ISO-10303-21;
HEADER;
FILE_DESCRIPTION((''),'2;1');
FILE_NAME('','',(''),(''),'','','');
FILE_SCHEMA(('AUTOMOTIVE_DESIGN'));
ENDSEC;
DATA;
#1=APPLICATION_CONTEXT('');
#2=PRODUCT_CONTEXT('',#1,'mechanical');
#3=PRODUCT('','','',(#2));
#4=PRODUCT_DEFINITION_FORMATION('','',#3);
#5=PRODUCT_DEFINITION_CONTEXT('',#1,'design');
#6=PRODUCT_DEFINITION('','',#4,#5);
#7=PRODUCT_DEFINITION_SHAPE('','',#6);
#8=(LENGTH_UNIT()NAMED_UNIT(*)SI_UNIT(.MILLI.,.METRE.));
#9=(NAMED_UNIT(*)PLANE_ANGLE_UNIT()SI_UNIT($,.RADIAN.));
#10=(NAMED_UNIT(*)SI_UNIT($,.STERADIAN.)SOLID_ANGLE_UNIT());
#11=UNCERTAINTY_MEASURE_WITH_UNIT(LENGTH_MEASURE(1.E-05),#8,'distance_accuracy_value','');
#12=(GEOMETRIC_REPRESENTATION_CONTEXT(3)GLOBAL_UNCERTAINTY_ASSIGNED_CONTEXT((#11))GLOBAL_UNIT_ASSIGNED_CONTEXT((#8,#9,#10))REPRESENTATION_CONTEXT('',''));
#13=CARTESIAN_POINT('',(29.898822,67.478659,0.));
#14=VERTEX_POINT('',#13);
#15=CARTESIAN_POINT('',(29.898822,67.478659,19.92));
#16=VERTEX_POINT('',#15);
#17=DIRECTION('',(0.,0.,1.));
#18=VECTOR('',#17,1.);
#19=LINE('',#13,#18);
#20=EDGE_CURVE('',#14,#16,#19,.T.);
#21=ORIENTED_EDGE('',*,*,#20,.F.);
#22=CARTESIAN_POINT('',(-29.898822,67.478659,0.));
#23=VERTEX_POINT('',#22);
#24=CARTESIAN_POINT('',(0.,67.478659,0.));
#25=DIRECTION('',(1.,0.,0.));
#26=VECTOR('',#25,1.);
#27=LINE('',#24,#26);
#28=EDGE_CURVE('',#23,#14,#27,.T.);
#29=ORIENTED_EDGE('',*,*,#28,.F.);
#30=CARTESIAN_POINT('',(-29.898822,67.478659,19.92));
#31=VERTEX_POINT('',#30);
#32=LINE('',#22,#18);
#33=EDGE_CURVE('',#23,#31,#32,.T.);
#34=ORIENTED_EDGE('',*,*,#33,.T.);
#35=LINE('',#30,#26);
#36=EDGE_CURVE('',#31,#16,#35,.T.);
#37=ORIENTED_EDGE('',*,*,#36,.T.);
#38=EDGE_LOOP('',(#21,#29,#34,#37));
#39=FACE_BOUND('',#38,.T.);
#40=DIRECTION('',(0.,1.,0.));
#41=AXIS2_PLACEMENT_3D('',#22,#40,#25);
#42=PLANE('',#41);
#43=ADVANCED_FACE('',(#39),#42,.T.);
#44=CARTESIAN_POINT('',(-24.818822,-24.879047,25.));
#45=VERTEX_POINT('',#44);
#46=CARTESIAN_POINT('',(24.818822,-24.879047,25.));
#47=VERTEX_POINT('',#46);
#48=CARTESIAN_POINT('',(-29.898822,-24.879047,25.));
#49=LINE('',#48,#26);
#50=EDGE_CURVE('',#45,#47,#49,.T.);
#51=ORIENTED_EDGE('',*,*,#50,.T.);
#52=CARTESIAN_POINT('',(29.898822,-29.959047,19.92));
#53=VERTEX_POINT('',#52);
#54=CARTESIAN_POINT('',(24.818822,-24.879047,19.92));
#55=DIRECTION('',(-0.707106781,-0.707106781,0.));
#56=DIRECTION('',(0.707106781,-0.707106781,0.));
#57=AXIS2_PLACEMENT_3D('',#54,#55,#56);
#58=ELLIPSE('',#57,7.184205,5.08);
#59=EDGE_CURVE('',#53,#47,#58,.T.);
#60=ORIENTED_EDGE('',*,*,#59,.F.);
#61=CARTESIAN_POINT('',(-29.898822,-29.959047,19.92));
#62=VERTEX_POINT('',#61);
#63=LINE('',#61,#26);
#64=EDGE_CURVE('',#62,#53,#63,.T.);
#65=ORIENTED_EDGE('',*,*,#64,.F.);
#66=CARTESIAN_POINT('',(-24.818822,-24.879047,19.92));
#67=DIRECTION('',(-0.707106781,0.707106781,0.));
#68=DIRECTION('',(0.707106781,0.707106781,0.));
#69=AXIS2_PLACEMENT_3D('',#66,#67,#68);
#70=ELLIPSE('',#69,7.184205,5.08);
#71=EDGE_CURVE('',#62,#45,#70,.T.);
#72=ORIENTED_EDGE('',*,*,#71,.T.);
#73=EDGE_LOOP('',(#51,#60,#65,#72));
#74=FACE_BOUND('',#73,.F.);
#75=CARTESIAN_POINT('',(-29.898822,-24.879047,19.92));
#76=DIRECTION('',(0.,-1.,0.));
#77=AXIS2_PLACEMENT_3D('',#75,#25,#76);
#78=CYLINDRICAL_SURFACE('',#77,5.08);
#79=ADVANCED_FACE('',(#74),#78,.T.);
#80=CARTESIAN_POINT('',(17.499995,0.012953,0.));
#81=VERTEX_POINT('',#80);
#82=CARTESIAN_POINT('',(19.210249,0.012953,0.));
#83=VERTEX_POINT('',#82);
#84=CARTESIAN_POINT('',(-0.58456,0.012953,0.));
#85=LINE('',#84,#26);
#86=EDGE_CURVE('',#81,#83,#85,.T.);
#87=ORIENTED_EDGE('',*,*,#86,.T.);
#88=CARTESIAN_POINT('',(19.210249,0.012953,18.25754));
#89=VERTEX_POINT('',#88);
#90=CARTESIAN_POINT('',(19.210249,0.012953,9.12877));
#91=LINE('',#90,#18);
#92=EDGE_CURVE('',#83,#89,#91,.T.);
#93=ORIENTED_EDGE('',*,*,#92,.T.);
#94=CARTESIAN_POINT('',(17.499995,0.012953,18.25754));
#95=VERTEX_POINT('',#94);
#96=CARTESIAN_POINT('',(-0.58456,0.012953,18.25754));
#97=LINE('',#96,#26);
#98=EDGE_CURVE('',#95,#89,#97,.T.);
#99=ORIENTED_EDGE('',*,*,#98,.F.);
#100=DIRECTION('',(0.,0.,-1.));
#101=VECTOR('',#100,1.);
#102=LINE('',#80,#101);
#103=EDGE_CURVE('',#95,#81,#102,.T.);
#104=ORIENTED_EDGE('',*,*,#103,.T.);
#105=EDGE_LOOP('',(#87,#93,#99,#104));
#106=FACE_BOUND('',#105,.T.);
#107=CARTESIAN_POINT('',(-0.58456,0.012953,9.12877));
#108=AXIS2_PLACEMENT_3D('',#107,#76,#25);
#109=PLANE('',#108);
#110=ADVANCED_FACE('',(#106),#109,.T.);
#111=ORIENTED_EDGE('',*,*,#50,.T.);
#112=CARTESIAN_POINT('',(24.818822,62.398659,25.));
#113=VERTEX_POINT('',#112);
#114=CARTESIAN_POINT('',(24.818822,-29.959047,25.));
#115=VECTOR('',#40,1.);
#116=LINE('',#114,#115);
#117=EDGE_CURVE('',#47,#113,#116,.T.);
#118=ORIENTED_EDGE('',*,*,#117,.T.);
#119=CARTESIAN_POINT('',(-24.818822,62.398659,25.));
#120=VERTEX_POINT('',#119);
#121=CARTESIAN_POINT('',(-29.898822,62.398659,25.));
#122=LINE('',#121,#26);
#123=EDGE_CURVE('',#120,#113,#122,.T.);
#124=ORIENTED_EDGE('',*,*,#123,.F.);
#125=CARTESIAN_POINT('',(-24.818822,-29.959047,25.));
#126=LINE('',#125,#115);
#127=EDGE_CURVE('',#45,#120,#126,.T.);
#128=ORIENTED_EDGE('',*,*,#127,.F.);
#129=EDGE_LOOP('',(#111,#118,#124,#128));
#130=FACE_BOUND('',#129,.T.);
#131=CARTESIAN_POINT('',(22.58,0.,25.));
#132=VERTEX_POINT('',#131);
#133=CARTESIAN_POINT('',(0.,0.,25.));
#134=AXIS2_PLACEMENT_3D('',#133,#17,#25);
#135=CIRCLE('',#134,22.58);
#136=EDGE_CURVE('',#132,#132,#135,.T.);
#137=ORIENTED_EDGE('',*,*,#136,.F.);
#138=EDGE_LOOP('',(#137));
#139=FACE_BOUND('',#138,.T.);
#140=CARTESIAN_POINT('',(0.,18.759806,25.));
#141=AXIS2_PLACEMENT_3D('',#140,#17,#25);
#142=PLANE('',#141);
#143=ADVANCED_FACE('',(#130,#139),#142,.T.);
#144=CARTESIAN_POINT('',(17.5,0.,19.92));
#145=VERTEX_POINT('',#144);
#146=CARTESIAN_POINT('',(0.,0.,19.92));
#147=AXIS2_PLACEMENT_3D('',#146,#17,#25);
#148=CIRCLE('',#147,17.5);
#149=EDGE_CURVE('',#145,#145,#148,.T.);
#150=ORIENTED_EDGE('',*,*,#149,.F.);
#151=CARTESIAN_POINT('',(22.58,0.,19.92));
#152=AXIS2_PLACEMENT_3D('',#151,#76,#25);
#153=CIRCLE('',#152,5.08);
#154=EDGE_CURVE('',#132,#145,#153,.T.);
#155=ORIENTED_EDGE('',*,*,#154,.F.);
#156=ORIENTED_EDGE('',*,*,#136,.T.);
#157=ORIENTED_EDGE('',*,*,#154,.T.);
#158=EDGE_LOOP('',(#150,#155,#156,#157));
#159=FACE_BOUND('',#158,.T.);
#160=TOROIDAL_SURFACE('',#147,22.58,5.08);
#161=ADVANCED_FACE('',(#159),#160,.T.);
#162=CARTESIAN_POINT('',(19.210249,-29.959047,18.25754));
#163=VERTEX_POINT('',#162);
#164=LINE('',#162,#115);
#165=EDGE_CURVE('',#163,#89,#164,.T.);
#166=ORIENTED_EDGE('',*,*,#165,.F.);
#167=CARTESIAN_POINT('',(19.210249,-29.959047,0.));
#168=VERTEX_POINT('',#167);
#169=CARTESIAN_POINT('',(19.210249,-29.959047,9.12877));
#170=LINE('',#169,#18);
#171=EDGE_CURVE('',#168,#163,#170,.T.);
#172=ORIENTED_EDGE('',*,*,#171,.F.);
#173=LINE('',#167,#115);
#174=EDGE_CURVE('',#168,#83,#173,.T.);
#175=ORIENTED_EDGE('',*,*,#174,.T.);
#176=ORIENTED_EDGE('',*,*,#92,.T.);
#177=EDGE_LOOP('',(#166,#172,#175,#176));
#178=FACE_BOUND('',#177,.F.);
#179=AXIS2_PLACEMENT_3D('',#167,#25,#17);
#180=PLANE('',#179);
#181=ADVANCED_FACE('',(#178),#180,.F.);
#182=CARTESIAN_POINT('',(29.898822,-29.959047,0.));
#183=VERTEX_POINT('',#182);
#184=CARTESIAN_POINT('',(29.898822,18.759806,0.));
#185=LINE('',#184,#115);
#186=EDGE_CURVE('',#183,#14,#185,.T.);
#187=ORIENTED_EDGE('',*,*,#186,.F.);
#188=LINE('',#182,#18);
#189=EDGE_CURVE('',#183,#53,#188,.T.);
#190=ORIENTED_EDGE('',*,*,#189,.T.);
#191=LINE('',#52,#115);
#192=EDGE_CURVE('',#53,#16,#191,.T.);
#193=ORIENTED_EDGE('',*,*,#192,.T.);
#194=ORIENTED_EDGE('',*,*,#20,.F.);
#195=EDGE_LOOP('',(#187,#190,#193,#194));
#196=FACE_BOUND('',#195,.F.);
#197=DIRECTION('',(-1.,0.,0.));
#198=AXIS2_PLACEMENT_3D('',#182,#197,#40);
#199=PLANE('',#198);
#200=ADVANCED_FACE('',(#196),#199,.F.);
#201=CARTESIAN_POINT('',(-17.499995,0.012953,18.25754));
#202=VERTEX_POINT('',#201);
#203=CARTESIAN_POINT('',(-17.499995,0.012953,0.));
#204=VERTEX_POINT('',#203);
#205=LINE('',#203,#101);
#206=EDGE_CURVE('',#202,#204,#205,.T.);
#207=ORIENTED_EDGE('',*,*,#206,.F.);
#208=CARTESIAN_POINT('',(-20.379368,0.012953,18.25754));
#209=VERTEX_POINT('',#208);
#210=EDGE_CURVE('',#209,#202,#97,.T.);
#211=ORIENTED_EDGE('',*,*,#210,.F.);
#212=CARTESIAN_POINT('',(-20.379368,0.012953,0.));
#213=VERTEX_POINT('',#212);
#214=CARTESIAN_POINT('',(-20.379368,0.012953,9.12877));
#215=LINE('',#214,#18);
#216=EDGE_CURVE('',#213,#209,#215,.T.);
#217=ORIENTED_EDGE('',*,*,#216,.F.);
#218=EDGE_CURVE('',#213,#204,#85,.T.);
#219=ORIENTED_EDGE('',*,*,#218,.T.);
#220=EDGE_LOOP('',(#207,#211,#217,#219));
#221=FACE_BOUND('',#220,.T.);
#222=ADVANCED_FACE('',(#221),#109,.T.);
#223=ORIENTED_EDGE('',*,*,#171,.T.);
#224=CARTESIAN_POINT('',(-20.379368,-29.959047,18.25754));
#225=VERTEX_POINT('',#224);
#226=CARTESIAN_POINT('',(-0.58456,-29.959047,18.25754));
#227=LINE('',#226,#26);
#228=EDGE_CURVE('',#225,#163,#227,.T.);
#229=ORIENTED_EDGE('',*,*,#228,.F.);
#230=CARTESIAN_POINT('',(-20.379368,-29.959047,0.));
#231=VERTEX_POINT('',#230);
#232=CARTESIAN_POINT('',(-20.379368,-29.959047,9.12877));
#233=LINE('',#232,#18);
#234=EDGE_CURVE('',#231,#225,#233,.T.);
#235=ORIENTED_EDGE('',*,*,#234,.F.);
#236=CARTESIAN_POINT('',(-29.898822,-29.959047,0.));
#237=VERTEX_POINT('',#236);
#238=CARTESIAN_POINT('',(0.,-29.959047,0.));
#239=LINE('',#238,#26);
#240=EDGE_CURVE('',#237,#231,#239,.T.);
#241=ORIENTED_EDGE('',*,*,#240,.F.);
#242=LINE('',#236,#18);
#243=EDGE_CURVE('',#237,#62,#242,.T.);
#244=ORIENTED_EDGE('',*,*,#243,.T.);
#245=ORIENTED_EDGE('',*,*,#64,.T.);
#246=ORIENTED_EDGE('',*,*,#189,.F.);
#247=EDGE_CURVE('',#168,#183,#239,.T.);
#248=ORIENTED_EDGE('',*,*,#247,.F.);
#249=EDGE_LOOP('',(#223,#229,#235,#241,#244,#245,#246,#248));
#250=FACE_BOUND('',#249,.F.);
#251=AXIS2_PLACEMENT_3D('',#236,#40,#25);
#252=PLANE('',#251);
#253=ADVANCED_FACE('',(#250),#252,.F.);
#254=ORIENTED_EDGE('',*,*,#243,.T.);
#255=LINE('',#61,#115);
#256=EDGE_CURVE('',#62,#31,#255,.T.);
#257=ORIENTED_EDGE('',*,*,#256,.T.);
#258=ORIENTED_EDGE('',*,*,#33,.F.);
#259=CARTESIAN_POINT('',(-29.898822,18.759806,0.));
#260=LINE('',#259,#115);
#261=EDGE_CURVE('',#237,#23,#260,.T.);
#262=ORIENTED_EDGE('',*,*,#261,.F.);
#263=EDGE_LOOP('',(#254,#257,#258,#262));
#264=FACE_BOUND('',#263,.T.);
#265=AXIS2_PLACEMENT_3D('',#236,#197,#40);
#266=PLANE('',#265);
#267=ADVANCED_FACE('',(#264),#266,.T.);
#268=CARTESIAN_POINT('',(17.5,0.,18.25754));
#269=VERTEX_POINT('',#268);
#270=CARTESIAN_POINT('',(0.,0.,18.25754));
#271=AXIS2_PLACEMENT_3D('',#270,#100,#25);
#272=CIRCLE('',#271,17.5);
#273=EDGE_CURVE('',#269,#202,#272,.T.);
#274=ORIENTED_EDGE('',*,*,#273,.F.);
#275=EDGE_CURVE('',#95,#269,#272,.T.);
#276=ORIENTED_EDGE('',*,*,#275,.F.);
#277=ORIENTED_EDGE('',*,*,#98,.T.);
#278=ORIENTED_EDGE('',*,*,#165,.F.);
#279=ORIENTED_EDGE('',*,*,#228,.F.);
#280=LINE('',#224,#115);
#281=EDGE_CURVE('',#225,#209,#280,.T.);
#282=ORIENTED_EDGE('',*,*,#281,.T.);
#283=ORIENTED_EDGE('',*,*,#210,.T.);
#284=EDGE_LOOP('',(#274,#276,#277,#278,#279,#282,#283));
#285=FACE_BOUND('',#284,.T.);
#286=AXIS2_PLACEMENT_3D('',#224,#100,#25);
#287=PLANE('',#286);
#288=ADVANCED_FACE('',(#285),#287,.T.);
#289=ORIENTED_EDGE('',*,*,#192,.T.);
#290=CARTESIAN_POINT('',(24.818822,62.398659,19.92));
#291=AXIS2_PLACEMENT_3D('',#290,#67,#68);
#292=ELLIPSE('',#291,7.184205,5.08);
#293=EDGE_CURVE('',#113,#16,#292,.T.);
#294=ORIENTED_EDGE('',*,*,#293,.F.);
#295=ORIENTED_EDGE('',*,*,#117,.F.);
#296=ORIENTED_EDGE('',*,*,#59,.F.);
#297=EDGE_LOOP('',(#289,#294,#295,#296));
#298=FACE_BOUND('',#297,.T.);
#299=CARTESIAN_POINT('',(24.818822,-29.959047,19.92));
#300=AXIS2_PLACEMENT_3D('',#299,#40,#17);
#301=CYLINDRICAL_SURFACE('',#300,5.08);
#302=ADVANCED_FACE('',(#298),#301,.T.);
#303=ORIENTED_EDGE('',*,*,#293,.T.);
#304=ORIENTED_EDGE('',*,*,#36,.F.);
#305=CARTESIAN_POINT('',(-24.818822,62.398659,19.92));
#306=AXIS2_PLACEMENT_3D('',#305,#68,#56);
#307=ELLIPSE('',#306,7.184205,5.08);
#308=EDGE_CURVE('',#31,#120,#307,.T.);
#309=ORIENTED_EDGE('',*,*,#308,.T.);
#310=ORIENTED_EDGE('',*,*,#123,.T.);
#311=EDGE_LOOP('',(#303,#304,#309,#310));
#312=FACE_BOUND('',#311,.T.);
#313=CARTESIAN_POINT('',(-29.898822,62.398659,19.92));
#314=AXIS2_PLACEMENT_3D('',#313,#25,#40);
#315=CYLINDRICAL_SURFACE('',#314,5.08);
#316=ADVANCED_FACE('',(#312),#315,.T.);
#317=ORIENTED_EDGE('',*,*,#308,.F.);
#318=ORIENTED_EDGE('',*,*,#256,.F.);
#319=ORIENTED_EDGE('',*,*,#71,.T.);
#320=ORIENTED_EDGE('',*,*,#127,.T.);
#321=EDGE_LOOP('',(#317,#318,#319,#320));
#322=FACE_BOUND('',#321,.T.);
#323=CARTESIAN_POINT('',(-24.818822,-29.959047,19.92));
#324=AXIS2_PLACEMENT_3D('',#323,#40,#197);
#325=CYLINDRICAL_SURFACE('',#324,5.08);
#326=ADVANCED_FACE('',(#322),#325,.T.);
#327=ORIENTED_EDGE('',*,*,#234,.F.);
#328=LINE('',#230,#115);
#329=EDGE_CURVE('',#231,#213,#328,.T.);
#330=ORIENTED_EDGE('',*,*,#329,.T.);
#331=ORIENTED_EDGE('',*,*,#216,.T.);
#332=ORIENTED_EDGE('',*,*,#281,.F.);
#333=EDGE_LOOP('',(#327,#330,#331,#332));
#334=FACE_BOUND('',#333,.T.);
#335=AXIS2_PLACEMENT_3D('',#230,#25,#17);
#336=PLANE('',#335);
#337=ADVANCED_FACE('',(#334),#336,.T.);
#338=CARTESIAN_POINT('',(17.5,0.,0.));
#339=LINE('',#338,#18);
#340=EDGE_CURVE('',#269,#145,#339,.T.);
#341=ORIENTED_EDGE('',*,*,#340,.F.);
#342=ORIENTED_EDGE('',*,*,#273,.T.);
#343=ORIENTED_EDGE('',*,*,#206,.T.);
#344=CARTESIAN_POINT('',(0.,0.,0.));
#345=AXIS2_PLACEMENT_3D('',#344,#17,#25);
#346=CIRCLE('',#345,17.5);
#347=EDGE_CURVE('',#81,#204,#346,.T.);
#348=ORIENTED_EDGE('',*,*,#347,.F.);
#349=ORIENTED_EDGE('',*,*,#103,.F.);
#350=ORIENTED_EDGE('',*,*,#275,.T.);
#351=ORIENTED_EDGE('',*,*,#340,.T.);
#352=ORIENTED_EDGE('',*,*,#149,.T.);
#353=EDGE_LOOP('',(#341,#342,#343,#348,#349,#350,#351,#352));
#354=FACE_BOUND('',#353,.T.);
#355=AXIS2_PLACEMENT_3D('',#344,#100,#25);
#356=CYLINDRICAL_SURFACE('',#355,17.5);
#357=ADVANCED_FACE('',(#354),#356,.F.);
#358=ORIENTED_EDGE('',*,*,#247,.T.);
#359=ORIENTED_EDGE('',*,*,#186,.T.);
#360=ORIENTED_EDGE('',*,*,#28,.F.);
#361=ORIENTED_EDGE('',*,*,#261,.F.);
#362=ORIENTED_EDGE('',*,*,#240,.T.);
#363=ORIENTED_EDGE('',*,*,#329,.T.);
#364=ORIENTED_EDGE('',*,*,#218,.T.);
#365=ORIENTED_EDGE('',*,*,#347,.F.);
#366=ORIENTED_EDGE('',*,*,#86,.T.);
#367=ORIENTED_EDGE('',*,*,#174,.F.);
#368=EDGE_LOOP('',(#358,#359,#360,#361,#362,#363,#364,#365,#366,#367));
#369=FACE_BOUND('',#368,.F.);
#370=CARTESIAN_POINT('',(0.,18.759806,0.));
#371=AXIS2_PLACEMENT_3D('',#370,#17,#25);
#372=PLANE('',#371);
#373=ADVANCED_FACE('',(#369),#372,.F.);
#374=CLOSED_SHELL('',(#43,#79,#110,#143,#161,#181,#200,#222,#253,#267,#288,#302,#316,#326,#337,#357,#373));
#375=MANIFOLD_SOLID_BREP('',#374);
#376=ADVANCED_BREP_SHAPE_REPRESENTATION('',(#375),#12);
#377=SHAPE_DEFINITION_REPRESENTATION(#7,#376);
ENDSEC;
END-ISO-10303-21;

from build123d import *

# Parameters (mm, degrees)
F1_W     = 59.7976446152
F1_H     = 97.4377058446
F1_R     = 17.5
F2_DEPTH = 25
F3_W     = 39.5896174014
F3_H     = 18.2575397193
F4_DEPTH = 29.972
F5_R     = 5.08


with BuildPart() as f2:
    # F1 (on face) → F2 (new body)
    with BuildSketch(Plane.XY):
        with Locations((0, 18.7598057091)):
            Rectangle(F1_W, F1_H)
        Circle(F1_R, mode=Mode.SUBTRACT)
    extrude(amount=F2_DEPTH)

    # F3 (on face) → F4 (cut)
    with BuildSketch(Plane.XZ.offset(29.9590472132)):
        with Locations((-0.5845595151, 9.1287698597)):
            Rectangle(F3_W, F3_H)
    extrude(amount=-F4_DEPTH, mode=Mode.SUBTRACT)

    # F5
    f5_edges = [f2.edges().sort_by_distance(p)[0] for p in [
        (0, -29.959047, 25),
        (29.898822, 18.759806, 25),
        (0, 67.478659, 25),
        (-29.898822, 18.759806, 25),
        (-17.5, 0, 25),
    ]]
    fillet(f5_edges, radius=F5_R)


solid = f2.part
